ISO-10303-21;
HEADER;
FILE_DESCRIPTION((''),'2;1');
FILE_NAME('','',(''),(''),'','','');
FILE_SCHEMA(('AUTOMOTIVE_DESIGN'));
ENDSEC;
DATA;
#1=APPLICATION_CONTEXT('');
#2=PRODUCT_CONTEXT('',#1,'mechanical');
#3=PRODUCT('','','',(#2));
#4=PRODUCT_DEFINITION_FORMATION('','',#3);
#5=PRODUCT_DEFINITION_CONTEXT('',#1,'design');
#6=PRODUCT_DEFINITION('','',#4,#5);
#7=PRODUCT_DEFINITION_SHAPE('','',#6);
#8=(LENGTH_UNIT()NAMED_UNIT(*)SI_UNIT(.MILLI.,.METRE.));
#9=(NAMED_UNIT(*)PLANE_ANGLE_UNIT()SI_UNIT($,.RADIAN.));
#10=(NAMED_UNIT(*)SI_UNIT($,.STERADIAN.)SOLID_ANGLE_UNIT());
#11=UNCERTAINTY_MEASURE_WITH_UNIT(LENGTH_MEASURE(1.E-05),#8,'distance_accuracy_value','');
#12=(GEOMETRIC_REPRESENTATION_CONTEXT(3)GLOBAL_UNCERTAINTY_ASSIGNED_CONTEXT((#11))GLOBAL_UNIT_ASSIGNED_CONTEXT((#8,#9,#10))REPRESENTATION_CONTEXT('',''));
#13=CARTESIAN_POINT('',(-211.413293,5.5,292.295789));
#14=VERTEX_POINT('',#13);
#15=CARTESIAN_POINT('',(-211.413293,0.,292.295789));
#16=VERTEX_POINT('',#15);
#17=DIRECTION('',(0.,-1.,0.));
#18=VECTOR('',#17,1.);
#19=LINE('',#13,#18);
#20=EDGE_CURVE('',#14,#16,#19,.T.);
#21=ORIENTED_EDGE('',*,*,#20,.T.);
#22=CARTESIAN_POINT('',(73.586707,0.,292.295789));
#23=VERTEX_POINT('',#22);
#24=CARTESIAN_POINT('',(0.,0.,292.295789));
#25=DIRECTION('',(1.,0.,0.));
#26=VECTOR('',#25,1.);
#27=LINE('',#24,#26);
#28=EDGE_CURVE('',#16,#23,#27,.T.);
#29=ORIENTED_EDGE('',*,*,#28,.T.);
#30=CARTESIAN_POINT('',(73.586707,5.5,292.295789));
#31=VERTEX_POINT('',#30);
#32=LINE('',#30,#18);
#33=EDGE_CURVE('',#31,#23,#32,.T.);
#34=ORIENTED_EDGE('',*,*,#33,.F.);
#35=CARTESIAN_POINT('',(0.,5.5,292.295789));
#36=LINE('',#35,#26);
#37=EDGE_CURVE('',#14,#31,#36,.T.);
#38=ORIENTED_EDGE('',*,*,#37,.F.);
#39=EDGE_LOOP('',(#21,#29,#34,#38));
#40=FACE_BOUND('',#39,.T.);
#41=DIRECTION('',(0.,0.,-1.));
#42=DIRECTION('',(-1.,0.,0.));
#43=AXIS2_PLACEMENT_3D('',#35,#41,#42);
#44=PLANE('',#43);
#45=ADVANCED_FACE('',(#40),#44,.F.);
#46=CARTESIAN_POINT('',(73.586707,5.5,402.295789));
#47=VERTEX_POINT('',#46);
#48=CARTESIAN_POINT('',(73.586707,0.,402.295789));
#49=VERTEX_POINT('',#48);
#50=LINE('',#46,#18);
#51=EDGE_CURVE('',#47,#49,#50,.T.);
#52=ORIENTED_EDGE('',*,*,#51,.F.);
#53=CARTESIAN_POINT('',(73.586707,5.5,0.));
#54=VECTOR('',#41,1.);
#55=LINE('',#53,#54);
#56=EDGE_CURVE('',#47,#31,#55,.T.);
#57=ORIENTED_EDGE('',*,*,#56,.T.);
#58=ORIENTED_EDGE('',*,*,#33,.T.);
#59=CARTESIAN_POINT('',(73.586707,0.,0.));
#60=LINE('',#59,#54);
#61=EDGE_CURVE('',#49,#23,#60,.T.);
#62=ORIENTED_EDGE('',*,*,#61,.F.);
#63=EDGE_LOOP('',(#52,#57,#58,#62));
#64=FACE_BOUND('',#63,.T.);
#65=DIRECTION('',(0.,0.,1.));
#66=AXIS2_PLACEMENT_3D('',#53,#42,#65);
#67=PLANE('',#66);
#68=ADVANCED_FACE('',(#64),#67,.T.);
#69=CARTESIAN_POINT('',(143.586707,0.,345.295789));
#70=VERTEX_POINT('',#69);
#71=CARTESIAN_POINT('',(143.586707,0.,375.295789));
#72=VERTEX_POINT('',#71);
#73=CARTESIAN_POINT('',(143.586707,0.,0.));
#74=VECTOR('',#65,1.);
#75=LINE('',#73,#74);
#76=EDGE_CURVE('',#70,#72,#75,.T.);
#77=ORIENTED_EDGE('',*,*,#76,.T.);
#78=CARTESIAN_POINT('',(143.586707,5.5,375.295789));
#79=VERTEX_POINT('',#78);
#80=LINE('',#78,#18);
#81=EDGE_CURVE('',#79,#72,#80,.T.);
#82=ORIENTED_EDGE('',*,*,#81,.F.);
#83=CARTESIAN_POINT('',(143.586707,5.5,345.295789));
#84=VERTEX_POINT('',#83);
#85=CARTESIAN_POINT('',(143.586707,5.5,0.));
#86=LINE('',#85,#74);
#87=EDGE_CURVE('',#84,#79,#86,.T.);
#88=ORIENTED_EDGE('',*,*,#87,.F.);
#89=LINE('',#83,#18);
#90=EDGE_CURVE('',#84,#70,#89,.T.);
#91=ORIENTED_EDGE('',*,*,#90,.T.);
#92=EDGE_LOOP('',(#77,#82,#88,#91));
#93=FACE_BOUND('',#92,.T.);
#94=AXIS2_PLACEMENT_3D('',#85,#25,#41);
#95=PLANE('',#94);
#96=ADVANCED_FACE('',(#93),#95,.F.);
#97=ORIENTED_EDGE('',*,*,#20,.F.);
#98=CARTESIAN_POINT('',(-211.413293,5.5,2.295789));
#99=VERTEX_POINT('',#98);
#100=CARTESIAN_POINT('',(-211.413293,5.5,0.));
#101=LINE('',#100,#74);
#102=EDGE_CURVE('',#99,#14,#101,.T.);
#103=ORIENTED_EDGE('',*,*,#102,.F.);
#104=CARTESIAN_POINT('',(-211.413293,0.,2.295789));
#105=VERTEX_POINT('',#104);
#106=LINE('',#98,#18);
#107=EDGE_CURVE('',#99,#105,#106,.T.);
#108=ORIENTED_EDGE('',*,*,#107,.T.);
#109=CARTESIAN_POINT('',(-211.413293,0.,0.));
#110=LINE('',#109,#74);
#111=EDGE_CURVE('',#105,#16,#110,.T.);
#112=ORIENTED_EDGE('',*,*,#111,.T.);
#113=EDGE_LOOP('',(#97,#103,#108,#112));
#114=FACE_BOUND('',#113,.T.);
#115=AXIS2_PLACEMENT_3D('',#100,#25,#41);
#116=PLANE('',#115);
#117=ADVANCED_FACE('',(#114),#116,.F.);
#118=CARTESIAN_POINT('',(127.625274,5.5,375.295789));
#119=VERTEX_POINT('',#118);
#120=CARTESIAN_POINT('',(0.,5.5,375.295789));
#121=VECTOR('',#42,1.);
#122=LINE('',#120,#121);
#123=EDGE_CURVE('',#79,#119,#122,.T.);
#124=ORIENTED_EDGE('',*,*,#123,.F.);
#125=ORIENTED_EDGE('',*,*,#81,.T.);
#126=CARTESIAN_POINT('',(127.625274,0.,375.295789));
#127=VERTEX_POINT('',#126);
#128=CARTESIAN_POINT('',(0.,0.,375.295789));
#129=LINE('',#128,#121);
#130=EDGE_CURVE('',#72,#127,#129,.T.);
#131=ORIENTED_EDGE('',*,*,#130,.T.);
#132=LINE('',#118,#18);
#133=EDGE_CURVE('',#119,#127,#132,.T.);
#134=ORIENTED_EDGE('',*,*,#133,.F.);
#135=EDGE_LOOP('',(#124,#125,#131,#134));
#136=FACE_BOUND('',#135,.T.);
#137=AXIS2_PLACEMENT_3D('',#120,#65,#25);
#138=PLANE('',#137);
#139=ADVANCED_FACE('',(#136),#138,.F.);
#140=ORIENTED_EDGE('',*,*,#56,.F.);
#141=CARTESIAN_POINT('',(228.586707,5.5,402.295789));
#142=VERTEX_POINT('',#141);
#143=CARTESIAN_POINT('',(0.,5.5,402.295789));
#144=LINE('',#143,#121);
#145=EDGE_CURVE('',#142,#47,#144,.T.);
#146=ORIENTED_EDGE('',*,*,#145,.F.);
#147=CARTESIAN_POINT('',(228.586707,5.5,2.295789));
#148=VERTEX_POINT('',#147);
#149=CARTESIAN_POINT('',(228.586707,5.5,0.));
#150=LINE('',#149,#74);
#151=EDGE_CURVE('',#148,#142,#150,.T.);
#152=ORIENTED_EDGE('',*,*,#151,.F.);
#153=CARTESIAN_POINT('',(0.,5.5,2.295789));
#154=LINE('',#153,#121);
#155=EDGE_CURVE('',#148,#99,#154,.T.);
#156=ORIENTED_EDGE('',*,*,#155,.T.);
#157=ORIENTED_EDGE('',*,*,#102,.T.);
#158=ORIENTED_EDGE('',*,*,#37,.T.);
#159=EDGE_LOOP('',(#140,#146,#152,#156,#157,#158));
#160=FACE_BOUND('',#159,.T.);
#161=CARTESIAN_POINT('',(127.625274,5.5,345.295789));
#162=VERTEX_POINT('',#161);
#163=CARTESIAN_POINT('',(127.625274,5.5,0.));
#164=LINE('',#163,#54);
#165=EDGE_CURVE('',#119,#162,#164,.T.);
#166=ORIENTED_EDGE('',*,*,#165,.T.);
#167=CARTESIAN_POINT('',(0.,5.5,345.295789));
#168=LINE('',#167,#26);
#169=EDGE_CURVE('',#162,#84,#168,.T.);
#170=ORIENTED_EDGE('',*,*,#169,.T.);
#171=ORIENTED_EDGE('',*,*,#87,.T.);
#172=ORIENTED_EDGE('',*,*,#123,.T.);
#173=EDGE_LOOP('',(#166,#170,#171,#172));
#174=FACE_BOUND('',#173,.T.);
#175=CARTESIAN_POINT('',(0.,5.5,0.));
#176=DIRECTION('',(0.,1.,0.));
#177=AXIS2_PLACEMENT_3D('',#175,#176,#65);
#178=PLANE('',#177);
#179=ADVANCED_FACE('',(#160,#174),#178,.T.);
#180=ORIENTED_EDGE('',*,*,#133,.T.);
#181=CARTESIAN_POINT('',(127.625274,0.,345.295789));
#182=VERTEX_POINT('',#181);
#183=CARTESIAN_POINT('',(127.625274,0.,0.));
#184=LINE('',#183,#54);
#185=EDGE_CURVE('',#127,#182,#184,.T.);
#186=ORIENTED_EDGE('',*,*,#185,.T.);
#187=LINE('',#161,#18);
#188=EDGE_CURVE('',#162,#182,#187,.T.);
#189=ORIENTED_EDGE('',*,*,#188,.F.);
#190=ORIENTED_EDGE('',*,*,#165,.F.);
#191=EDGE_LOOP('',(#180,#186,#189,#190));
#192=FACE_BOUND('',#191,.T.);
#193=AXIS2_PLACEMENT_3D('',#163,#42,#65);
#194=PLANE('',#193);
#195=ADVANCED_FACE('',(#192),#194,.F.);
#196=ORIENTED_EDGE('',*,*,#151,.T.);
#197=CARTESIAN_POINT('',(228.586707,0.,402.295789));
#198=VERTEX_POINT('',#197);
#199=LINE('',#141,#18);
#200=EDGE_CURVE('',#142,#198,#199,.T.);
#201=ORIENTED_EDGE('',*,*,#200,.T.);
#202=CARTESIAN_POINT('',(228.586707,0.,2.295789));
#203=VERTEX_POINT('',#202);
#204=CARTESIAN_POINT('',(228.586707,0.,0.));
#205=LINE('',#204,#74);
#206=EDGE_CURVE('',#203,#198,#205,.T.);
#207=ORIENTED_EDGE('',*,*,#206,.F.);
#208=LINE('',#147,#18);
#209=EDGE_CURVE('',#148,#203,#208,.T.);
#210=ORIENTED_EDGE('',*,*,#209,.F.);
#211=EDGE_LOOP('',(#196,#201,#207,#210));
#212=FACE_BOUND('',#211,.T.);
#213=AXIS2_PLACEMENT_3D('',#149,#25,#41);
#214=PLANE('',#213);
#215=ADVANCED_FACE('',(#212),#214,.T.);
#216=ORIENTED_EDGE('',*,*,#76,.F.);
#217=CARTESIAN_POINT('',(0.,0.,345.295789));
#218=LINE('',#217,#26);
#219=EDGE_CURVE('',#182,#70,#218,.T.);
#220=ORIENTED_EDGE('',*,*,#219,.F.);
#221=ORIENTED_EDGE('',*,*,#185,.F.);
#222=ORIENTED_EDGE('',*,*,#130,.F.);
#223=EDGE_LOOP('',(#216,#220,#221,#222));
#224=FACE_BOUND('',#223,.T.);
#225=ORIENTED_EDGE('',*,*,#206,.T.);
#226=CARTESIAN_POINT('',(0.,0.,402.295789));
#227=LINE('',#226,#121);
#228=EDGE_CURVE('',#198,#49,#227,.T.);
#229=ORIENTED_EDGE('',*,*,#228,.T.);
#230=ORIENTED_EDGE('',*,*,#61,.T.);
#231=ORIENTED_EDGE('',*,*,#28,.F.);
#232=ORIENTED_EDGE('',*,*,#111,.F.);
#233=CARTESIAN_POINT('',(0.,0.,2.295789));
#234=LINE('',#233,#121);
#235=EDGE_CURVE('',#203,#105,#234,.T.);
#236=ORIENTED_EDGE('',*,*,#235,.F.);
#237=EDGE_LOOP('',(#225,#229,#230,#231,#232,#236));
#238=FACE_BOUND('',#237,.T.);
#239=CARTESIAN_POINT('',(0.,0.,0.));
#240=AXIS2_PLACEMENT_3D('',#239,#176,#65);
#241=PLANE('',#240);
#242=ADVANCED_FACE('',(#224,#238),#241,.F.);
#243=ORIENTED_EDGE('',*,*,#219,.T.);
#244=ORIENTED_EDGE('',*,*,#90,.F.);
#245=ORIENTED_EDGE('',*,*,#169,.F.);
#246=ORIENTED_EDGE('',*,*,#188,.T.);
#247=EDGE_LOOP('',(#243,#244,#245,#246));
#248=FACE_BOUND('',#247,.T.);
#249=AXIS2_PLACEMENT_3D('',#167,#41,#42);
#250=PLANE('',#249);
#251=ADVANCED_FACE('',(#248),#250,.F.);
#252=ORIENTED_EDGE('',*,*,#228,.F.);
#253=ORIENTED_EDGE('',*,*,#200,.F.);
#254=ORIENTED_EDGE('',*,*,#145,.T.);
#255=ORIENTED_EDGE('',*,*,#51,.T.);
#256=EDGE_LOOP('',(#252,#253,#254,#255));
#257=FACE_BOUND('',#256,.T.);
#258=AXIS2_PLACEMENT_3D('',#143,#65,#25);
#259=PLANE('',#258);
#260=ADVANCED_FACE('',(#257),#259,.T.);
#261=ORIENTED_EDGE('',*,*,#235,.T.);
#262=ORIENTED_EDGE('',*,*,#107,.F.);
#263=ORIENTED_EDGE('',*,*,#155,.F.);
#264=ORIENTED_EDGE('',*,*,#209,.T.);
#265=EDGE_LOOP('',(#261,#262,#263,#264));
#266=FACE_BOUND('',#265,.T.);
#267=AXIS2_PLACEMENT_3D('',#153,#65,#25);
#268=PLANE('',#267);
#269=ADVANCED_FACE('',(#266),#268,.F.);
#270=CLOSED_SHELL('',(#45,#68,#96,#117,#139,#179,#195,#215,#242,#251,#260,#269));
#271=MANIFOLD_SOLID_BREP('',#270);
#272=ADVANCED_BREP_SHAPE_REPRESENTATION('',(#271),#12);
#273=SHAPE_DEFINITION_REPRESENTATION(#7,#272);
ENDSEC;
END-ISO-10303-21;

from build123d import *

# Parameters (mm, degrees)
CROQUIS1_W              = 15.961432879
CROQUIS1_H              = 30
SALIENTE_EXTRUIR1_DEPTH = 5.5


with BuildPart() as part:
    # Croquis1 → Saliente-Extruir1 (new body)
    with BuildSketch(Plane(origin=(0, 0, 0), x_dir=(-1, 0, 0), z_dir=(0, 1, 0))):
        Polygon((-73.586706802, 402.295789036), (-73.586706802, 292.295789036), (211.413293198, 292.295789036), (211.413293198, 2.295789036), (-228.586706802, 2.295789036), (-228.586706802, 402.295789036), (-143.586706802, 402.295789036), align=None)
        with Locations((-135.605990362, 360.295789036)):
            Rectangle(CROQUIS1_W, CROQUIS1_H, mode=Mode.SUBTRACT)
    extrude(amount=SALIENTE_EXTRUIR1_DEPTH)


solid = part.part
